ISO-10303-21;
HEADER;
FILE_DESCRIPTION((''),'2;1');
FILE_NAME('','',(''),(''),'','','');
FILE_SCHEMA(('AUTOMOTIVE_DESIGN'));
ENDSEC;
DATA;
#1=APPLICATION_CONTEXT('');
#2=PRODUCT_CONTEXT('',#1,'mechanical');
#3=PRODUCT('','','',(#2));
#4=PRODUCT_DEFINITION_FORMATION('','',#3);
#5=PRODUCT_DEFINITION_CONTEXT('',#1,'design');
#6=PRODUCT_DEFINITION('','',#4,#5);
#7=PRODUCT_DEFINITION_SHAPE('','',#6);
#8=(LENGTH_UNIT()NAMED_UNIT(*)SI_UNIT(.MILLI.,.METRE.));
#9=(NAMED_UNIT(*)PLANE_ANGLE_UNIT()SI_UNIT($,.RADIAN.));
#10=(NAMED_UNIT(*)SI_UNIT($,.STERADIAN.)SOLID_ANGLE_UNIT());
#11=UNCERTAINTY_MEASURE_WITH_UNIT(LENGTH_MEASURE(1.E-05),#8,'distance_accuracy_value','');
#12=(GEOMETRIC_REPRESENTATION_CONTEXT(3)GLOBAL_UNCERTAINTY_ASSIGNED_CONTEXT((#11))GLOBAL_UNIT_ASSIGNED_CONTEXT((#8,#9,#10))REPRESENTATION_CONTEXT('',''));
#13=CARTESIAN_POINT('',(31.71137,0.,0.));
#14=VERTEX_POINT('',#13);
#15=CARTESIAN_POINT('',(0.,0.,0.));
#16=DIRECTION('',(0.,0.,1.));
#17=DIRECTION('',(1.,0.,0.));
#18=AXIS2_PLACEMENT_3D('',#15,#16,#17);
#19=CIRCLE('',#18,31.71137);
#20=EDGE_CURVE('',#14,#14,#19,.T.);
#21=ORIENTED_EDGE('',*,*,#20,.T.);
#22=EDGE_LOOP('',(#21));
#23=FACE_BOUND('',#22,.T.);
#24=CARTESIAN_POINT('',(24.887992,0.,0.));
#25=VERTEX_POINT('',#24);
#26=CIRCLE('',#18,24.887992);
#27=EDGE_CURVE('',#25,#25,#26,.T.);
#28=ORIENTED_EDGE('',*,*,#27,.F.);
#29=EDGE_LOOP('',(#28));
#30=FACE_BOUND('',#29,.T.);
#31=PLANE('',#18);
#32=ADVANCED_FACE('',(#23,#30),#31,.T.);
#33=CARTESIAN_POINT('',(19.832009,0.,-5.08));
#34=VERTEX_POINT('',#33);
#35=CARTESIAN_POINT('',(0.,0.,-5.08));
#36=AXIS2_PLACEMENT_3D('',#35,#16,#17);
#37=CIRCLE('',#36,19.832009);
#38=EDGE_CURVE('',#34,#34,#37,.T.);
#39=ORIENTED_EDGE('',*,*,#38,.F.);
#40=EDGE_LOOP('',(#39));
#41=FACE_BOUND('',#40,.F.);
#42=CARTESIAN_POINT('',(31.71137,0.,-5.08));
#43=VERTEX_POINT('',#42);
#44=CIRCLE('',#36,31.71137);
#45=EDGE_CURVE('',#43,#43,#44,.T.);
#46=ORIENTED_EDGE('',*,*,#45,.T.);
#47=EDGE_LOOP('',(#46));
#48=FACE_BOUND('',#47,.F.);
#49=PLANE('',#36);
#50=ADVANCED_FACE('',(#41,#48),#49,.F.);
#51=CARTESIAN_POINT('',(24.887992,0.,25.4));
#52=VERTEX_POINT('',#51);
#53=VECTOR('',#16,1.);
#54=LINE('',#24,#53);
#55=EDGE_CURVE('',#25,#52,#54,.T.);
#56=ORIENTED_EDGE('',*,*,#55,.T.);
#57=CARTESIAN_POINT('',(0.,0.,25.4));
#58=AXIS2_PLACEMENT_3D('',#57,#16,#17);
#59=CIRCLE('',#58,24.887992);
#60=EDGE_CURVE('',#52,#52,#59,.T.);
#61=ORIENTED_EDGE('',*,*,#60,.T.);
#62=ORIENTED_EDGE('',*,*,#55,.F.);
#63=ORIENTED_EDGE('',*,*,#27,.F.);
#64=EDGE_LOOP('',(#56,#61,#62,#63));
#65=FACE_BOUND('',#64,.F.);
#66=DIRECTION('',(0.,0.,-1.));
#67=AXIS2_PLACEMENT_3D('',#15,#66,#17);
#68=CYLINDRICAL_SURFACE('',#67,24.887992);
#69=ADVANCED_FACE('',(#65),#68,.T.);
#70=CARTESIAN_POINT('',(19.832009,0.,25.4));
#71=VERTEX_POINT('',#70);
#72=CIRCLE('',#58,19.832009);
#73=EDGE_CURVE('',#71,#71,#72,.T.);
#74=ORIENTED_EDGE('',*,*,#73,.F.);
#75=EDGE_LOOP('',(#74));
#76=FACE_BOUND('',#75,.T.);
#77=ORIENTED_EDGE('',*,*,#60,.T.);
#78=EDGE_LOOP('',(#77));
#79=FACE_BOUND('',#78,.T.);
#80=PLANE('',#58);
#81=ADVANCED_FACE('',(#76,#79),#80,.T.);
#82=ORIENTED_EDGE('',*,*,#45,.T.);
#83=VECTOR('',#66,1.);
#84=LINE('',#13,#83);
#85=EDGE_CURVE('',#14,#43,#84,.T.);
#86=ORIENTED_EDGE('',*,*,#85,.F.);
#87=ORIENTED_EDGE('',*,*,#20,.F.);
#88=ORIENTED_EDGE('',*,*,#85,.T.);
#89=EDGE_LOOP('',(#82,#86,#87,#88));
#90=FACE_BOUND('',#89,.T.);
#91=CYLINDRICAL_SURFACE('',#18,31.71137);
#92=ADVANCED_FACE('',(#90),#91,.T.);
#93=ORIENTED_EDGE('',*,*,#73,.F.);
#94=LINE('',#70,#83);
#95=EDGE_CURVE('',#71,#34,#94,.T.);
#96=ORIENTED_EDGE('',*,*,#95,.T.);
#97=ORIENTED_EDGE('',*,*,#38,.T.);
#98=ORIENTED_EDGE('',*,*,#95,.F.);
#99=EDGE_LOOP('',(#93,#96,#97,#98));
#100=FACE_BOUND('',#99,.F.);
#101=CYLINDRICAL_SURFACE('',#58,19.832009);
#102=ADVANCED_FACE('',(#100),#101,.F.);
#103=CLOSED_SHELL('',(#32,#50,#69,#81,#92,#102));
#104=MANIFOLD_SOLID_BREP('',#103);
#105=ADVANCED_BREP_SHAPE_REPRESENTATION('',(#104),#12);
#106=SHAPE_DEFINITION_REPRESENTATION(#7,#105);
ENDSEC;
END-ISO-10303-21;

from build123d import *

# Parameters (mm, degrees)
F0_R     = 24.887992
F1_DEPTH = 25.4
F2_R     = 31.71137
F3_DEPTH = 5.08
F4_R     = 19.832009
F5_DEPTH = 38.1


with BuildPart() as f1:
    # F0 (on Top) → F1 (new body)
    with BuildSketch(Plane.XY):
        Circle(F0_R)
    extrude(amount=F1_DEPTH)

    # F2 (on Top) → F3 (join)
    with BuildSketch(Plane.XY):
        Circle(F2_R)
    extrude(amount=-F3_DEPTH)

    # F4 (on face) → F5 (cut)
    with BuildSketch(Plane.XY.offset(25.4)):
        Circle(F4_R)
    extrude(amount=-F5_DEPTH, mode=Mode.SUBTRACT)


solid = f1.part
